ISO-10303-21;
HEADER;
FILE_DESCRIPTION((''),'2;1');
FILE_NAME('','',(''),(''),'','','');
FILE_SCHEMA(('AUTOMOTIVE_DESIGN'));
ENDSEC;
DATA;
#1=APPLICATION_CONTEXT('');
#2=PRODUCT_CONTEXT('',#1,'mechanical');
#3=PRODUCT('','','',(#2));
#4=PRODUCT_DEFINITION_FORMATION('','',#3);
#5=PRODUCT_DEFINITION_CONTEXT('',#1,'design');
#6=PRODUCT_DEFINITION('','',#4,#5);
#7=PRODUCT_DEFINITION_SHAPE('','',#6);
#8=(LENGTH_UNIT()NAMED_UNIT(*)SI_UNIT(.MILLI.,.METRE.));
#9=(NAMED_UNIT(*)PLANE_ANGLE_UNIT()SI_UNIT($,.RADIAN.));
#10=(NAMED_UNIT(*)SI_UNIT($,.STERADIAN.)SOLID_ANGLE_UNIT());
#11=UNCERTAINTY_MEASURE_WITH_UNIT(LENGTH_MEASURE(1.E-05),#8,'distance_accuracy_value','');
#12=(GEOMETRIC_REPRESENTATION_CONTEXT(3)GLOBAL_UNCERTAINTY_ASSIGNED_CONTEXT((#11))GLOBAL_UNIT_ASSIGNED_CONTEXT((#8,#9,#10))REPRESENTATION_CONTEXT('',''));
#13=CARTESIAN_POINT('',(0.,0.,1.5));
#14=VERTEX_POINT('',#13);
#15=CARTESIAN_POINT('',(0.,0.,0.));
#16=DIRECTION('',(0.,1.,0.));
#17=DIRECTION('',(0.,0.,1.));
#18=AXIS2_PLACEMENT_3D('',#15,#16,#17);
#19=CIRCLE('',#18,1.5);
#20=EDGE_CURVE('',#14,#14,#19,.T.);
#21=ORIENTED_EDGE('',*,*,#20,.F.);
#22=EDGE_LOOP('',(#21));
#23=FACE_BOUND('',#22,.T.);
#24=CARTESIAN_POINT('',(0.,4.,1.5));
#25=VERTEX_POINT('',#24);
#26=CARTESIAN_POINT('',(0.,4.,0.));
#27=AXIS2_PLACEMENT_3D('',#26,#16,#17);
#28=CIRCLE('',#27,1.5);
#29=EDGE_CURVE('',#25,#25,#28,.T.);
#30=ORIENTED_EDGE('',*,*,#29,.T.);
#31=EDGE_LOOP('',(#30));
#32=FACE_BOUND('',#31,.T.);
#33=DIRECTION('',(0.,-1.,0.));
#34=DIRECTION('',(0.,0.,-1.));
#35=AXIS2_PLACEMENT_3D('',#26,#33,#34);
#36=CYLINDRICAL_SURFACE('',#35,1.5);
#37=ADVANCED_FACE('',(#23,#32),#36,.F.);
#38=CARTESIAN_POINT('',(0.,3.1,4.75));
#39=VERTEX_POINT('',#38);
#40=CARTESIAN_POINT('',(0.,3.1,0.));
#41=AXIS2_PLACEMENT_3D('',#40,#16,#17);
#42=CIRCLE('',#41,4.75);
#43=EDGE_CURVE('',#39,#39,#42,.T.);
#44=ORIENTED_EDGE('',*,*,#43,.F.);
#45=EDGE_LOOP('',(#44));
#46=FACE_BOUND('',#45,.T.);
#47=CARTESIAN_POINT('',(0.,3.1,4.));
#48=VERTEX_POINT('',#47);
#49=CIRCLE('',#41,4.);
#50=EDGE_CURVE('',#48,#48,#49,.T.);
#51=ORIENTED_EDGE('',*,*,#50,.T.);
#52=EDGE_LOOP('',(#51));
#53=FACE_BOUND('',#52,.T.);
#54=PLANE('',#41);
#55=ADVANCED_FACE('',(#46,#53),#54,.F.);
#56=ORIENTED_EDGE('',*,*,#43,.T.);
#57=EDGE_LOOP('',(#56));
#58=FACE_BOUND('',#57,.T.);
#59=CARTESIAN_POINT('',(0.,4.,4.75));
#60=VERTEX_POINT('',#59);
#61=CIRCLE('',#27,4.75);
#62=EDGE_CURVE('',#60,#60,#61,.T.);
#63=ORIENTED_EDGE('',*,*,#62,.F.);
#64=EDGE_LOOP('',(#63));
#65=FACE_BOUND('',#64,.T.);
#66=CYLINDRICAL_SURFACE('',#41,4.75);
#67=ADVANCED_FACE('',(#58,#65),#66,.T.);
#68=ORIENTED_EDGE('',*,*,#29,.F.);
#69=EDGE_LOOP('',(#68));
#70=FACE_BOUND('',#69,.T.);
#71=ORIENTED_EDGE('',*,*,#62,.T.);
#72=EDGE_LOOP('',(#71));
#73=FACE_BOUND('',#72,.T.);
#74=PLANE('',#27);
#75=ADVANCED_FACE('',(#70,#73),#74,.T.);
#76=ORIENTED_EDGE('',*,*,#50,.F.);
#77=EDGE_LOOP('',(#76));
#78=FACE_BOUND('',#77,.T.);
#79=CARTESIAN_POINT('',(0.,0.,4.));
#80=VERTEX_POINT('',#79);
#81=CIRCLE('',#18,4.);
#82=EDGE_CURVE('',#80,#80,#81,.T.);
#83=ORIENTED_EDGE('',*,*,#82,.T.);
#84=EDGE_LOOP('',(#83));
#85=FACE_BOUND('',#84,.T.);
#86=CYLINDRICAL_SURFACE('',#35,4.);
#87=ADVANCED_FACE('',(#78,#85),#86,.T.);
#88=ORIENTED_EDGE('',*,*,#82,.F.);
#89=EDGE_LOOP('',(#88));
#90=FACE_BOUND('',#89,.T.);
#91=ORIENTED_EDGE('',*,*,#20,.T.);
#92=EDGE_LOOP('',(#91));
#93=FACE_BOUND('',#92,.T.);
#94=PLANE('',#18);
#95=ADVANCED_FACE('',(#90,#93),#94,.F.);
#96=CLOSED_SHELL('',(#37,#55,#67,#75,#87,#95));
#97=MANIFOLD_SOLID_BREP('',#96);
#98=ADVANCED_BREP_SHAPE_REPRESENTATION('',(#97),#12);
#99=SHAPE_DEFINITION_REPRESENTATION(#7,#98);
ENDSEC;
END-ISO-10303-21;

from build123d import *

# Parameters (mm, degrees)
SKETCH1_R           = 4
SKETCH1_R_2         = 1.5
BOSS_EXTRUDE1_DEPTH = 4
SKETCH2_R           = 4.75
SKETCH2_R_2         = 1.5
BOSS_EXTRUDE2_DEPTH = 0.9


with BuildPart() as part:
    # Sketch1 → Boss-Extrude1 (new body)
    with BuildSketch(Plane(origin=(0, 0, 0), x_dir=(1, 0, 0), z_dir=(0, 1, 0))):
        Circle(SKETCH1_R)
        Circle(SKETCH1_R_2, mode=Mode.SUBTRACT)
    extrude(amount=BOSS_EXTRUDE1_DEPTH)

    # Sketch2 → Boss-Extrude2 (add)
    with BuildSketch(Plane(origin=(0, 4, 0), x_dir=(1, 0, 0), z_dir=(0, 1, 0))):
        Circle(SKETCH2_R)
        Circle(SKETCH2_R_2, mode=Mode.SUBTRACT)
    extrude(amount=-BOSS_EXTRUDE2_DEPTH)


solid = part.part
